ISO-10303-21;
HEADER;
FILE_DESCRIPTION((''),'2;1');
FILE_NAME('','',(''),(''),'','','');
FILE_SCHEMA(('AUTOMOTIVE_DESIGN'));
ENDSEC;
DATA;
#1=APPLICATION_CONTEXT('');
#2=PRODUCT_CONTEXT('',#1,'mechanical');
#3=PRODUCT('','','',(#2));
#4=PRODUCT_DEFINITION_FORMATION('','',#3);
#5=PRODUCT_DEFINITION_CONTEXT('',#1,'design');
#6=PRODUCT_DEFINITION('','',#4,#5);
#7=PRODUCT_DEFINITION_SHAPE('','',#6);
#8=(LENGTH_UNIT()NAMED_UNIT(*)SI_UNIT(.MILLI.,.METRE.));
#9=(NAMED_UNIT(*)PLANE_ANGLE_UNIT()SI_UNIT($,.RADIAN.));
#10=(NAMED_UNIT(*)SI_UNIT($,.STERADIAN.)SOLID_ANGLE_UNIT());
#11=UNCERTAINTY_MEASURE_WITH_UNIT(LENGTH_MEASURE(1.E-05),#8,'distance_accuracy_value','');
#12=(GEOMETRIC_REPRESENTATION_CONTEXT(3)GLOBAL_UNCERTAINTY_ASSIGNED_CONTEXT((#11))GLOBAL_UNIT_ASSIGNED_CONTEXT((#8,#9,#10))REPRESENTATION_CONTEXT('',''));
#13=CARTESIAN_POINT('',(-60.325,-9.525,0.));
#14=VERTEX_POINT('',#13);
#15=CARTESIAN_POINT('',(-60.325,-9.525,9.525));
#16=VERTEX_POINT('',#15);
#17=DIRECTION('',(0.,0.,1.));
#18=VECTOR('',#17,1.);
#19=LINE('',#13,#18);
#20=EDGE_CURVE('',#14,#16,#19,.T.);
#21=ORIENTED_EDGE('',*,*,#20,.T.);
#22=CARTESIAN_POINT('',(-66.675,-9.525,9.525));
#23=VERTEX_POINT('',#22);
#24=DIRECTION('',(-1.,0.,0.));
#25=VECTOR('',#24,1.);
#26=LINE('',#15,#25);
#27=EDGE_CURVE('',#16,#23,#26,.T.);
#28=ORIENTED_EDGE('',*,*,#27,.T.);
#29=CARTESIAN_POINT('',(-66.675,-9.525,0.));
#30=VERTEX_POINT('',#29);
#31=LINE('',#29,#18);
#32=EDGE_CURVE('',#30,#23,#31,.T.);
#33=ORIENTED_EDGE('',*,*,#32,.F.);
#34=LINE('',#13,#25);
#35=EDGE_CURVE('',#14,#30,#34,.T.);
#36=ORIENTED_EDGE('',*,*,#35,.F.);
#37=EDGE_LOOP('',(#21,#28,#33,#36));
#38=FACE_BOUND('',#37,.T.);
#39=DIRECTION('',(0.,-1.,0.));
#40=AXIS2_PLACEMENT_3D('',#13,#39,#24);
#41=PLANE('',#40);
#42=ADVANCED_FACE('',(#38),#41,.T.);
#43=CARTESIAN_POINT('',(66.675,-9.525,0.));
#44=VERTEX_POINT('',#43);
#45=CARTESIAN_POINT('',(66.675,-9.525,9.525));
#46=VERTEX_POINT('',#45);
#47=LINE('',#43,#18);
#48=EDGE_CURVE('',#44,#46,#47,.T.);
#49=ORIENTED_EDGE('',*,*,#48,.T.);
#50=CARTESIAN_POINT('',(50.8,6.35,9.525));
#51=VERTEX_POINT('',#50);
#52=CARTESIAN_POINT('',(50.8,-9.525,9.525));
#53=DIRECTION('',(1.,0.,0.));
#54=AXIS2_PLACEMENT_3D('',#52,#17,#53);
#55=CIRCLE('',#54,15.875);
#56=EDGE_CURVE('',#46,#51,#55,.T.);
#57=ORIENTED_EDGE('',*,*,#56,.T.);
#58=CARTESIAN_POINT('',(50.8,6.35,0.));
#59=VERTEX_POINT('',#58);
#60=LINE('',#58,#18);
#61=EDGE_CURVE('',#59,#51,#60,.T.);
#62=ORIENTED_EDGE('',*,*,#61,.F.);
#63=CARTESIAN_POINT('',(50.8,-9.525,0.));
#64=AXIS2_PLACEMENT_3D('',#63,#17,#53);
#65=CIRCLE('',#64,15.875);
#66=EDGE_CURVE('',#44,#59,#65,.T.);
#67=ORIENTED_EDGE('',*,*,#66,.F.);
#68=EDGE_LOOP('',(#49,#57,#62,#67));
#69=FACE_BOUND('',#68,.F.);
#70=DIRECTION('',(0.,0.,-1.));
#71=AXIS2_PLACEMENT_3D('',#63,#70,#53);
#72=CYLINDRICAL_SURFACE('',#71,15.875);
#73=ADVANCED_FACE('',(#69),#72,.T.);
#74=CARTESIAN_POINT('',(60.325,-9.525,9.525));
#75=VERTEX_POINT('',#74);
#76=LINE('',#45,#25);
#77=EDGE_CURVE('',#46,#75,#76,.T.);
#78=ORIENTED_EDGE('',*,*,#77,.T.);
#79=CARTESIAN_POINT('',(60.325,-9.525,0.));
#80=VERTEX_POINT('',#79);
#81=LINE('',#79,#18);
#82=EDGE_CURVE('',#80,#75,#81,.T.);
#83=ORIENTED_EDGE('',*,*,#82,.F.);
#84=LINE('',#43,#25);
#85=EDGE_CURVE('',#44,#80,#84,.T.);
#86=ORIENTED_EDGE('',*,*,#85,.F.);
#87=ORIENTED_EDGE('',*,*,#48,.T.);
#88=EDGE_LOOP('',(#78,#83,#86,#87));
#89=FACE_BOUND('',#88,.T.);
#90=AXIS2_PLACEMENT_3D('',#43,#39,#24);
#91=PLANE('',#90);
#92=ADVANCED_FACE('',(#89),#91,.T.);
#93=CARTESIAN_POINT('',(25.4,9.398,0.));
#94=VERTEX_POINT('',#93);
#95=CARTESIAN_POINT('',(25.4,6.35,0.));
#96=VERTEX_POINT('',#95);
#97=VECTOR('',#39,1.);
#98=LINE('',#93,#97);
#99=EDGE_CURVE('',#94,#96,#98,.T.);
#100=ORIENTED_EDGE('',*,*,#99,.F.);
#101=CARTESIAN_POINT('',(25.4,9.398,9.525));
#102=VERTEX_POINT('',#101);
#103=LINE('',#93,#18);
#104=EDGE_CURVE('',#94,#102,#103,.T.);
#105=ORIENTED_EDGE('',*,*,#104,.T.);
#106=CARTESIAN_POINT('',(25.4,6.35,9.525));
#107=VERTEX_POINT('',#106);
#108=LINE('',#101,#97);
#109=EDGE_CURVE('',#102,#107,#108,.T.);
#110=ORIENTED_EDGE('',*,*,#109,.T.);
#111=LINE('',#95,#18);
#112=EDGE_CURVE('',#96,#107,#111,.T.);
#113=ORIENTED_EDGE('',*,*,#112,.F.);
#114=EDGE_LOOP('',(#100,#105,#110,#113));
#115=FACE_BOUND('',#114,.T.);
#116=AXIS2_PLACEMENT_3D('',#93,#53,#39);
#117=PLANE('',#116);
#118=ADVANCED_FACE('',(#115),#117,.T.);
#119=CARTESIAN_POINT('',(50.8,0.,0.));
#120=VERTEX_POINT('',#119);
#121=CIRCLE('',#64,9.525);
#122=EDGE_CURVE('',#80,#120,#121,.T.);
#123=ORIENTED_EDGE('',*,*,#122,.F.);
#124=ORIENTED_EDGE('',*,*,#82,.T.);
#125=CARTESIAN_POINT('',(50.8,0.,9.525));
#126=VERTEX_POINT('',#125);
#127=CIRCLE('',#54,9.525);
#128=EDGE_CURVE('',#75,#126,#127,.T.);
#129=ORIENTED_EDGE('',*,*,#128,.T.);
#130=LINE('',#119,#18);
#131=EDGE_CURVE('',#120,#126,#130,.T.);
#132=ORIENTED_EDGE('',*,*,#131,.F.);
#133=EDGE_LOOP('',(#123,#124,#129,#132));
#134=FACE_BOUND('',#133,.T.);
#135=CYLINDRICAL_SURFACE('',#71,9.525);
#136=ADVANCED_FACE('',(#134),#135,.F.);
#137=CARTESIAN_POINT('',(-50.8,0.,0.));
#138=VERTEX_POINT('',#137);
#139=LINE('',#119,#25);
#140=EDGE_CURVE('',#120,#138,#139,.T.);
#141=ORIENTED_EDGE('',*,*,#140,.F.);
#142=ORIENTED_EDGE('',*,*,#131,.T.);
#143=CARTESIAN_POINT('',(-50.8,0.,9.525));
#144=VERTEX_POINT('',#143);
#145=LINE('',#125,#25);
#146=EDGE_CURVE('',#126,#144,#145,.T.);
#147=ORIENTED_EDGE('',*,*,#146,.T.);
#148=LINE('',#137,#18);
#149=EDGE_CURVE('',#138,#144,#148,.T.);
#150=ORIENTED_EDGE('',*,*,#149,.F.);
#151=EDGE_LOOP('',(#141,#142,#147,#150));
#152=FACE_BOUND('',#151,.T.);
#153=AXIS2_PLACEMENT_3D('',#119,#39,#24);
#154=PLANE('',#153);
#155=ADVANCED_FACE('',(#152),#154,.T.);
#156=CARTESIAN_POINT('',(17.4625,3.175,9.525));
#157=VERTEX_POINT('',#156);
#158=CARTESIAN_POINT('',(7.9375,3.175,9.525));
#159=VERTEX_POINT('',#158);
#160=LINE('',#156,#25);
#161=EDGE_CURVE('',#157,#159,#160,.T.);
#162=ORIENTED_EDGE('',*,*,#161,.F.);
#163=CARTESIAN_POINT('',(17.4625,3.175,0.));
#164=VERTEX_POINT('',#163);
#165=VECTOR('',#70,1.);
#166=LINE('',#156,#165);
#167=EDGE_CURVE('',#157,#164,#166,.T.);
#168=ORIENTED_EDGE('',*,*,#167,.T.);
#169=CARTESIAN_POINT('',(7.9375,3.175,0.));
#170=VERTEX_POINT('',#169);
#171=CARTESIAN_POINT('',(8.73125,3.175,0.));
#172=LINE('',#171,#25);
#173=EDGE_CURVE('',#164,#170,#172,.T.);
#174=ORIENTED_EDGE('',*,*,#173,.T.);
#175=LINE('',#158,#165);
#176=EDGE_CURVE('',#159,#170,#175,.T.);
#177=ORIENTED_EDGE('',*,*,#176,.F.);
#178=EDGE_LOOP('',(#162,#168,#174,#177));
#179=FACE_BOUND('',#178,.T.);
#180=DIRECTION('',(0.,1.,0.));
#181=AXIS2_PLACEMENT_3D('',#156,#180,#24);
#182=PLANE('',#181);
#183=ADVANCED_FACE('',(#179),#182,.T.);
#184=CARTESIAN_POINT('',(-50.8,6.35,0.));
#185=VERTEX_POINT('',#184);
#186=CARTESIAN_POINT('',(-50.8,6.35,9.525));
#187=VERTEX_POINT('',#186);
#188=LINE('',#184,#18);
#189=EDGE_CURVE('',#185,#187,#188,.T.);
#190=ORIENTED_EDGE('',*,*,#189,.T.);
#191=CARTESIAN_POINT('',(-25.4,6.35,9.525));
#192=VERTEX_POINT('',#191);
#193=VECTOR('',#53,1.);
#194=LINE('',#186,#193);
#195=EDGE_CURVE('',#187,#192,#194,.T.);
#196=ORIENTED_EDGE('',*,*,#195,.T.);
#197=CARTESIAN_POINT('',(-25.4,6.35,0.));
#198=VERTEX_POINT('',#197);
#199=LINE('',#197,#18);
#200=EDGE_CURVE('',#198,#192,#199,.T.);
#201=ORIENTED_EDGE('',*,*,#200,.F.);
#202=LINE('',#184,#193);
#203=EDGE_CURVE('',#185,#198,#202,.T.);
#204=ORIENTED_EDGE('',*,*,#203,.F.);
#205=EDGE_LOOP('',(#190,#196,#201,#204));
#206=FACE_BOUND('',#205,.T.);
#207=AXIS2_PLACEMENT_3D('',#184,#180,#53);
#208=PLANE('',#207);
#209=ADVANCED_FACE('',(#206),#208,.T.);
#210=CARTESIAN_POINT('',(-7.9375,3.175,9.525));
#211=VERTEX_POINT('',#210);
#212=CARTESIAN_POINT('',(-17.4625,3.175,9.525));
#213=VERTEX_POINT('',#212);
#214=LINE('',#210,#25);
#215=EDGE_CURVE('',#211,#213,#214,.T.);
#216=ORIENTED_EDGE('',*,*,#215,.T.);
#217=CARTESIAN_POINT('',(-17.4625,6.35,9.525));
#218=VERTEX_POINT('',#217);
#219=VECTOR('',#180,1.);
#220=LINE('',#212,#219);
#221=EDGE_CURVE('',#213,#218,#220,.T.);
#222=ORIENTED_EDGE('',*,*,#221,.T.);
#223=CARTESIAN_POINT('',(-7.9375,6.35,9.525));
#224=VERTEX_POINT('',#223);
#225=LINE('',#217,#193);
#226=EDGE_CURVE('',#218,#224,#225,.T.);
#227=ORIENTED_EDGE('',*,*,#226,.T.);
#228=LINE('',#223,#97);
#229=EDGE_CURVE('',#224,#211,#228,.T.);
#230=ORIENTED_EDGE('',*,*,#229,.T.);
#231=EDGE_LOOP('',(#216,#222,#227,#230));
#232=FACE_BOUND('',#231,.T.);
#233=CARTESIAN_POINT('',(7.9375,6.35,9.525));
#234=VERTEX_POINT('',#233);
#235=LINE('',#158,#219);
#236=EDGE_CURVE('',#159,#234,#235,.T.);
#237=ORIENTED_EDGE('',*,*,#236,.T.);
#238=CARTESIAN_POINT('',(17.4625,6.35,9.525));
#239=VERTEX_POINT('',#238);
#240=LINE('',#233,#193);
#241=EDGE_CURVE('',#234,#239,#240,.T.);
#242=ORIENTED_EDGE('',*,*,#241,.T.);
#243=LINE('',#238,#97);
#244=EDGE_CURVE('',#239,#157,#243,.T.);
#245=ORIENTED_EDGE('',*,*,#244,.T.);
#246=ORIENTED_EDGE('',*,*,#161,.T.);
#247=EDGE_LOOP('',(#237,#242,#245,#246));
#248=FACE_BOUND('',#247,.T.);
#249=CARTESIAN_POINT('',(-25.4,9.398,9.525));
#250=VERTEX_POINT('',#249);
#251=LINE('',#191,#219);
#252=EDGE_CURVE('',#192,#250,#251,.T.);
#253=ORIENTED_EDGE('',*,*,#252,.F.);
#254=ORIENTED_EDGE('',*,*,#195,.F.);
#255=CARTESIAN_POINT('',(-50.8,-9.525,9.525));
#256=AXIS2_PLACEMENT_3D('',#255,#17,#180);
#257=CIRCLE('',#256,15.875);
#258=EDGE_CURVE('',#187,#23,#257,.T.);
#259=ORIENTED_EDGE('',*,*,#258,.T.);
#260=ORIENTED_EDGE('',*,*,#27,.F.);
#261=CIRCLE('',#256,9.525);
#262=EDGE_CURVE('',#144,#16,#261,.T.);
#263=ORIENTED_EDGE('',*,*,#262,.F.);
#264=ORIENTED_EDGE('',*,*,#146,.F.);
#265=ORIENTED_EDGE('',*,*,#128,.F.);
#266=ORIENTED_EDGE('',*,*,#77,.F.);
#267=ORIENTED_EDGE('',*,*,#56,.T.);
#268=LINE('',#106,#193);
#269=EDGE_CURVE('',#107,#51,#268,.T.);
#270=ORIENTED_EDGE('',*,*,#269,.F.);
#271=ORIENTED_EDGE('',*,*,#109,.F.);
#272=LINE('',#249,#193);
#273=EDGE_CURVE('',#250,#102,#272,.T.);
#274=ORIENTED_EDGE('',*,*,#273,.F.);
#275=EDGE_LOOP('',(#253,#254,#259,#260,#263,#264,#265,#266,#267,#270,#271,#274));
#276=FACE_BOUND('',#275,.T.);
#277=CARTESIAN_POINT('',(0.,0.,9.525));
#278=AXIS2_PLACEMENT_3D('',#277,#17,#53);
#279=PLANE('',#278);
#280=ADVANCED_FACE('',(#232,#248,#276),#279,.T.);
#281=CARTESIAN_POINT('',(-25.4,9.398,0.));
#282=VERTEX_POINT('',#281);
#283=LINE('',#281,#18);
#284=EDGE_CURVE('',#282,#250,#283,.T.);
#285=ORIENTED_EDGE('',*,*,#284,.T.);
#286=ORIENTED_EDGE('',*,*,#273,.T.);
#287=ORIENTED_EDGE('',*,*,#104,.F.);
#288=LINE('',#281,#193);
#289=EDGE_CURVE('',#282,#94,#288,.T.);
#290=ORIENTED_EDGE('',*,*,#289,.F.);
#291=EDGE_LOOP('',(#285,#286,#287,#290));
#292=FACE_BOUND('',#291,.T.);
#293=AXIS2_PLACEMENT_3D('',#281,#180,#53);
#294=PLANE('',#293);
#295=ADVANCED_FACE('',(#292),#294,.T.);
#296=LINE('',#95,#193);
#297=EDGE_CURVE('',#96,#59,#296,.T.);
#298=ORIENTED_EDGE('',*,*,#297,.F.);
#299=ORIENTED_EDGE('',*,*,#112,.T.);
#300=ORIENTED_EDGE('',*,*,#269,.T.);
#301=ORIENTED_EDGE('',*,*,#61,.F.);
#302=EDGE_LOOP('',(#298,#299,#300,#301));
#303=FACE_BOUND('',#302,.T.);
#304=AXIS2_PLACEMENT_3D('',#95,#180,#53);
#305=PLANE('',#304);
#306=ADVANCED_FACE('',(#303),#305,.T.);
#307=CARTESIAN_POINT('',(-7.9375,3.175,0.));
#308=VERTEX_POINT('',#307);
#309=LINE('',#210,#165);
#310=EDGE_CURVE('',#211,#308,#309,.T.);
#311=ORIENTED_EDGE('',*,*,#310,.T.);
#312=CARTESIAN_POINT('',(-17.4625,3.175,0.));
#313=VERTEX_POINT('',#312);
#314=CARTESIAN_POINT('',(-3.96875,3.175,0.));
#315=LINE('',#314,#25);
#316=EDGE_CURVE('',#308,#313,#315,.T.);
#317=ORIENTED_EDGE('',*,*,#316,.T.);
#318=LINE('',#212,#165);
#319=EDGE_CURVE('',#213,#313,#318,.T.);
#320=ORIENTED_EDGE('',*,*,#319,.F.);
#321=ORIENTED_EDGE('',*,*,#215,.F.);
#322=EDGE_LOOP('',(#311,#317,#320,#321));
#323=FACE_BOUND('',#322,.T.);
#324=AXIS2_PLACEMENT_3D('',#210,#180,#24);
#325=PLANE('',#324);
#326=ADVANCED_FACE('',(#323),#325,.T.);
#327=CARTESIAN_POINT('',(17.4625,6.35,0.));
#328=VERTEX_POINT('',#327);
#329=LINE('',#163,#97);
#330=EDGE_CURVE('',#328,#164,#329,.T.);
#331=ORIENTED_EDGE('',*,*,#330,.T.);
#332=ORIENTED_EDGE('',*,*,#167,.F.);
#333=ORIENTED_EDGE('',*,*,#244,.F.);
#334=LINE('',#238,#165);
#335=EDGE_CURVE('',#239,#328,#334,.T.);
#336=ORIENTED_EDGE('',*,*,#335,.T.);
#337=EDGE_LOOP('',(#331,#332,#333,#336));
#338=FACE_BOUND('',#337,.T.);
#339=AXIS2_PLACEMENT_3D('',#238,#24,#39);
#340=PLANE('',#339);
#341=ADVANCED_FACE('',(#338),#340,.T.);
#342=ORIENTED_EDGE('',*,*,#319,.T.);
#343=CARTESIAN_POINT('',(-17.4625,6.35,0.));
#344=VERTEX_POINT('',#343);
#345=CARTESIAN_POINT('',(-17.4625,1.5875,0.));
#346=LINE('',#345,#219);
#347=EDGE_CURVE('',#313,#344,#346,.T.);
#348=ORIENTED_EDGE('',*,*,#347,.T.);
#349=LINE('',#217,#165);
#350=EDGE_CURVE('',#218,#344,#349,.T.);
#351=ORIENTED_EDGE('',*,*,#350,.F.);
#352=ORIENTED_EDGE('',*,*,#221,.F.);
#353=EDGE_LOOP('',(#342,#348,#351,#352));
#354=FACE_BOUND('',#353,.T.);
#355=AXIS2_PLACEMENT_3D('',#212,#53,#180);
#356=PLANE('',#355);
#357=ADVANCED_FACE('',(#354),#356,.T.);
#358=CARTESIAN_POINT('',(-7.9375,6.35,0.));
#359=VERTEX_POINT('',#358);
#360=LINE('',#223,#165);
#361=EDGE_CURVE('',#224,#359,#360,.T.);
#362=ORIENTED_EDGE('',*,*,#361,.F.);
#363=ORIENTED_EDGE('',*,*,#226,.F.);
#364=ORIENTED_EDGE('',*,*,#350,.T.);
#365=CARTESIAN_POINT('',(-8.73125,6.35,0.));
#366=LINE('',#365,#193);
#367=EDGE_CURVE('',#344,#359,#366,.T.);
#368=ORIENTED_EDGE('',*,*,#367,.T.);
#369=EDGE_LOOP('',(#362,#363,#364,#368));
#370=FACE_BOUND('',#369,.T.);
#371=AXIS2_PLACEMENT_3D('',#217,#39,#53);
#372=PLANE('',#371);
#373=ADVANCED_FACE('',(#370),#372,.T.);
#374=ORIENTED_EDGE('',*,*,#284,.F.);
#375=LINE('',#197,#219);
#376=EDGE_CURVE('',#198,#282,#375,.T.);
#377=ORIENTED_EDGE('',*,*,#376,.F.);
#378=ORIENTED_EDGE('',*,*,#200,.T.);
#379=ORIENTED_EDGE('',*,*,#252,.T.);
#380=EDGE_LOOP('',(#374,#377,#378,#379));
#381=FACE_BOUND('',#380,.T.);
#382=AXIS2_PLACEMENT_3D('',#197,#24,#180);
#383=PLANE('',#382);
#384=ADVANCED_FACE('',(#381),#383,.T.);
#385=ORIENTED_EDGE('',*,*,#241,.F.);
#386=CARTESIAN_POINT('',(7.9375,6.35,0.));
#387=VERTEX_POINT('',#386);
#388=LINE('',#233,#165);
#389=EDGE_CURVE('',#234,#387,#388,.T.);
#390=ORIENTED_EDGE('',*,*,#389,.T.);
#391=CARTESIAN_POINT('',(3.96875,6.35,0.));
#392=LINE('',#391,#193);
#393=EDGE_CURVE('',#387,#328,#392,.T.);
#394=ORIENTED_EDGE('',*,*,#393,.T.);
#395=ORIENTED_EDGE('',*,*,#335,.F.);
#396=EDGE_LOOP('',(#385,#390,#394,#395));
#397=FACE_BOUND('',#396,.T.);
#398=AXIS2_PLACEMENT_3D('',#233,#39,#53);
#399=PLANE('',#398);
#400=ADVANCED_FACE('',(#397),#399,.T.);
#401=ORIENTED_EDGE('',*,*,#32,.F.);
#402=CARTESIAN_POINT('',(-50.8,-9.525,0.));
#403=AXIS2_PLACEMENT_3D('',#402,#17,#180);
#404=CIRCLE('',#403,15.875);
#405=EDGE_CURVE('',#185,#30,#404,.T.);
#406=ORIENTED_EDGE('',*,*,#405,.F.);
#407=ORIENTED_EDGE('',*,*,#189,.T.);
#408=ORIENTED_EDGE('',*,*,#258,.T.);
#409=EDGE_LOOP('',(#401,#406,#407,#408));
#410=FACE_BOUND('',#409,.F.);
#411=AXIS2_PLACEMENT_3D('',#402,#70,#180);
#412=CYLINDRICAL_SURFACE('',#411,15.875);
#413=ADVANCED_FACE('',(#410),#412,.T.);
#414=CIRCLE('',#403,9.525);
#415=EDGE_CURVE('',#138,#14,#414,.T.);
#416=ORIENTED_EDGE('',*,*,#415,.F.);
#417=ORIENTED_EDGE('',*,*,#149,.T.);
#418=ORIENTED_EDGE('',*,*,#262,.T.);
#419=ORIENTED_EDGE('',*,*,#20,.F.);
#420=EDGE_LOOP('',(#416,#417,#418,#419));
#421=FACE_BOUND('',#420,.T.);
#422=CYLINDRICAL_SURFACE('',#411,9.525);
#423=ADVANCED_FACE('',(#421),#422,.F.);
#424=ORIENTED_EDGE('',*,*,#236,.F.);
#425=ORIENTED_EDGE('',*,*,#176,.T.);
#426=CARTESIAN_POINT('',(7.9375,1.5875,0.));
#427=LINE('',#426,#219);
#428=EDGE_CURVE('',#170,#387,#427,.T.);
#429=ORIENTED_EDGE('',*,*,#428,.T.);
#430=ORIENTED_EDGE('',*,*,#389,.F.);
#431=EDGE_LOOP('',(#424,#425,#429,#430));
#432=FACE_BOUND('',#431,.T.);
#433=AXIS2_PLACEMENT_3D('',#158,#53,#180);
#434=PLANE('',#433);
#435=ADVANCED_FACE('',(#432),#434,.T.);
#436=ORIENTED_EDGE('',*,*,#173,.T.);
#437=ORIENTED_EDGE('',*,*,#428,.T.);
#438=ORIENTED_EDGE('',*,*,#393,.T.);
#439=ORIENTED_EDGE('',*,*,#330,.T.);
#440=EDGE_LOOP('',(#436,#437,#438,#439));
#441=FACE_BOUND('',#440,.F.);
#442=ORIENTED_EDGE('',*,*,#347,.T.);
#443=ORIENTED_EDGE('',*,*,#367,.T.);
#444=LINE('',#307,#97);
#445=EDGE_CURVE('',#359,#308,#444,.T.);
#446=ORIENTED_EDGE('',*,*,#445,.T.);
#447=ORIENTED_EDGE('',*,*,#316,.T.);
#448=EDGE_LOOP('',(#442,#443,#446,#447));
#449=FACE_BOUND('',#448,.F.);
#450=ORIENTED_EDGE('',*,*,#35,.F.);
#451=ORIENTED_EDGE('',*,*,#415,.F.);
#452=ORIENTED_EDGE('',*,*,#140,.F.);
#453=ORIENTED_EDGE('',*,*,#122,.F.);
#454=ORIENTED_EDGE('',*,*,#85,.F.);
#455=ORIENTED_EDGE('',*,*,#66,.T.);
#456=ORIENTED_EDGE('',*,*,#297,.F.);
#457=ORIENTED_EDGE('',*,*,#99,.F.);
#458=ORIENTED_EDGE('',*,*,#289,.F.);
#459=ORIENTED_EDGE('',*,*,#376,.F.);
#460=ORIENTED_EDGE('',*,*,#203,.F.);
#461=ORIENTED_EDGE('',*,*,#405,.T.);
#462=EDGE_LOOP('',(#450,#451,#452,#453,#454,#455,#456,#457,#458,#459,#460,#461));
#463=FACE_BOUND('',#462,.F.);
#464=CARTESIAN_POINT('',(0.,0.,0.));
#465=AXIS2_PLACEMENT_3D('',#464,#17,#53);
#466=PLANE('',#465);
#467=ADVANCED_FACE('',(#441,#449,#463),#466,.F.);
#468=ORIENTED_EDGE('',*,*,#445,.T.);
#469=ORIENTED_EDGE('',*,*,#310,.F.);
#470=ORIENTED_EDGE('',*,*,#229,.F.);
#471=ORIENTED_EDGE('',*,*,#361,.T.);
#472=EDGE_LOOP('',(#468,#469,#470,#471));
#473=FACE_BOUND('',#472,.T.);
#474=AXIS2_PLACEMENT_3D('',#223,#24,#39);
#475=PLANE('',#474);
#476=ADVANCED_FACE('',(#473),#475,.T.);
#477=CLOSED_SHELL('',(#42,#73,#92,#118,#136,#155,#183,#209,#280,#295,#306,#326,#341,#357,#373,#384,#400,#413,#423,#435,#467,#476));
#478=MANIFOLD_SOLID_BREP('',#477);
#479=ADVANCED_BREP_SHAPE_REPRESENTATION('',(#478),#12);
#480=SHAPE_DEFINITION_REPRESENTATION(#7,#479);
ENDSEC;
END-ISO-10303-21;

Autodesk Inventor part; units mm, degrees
ref_plane "YZ Plane" through (0, 0, 0) normal (1, 0, 0) x (0, 1, 0)
ref_plane "XZ Plane" through (0, 0, 0) normal (0, 1, 0) x (-1, 0, 0)
ref_plane "XY Plane" through (0, 0, 0) normal (0, 0, 1) x (1, 0, 0)
sketch "Sketch1" plane through (0, 0, 0) normal (0, 0, 1) x (1, 0, 0)
  line L0 (-25.4, 9.398) -> (25.4, 9.398)
  line L1 (25.4, 9.398) -> (25.4, 6.35)
  line L2 (-25.4, 6.35) -> (-25.4, 9.398)
  line L3 (-50.8, 6.35) -> (-25.4, 6.35)
  line L4 (50.8, 6.35) -> (50.8, 0) construction
  line L5 (50.8, 0) -> (-50.8, 0)
  line L6 (-50.8, 0) -> (-50.8, 6.35) construction
  arc A0 (-50.8, 6.35) -> (-66.675, -9.525) centre (-50.8, -9.525) ccw
  arc A1 (38.1, 0) -> (66.675, -9.525) centre (50.8, -9.525) ccw construction
  arc A2 (-60.325, -9.525) -> (-50.8, -19.05) centre (-50.8, -9.525) ccw construction
  arc A3 (50.8, 0) -> (60.325, -9.525) centre (50.8, -9.525) ccw construction
  line L7 (25.4, 6.35) -> (50.8, 6.35)
  line L8 (-60.325, -9.525) -> (-66.675, -9.525)
  arc A4 (-50.8, 0) -> (-60.325, -9.525) centre (-50.8, -9.525) ccw
  arc A5 (60.325, -9.525) -> (50.8, 0) centre (50.8, -9.525) ccw
  arc A6 (-38.1, 0) -> (-50.8, 6.35) centre (-50.8, -9.525) ccw construction
  arc A7 (50.8, 6.35) -> (38.1, 0) centre (50.8, -9.525) ccw construction
  arc A8 (66.675, -9.525) -> (50.8, 6.35) centre (50.8, -9.525) ccw
  arc A9 (-66.675, -9.525) -> (-38.1, 0) centre (-50.8, -9.525) ccw construction
  arc A10 (-50.8, -19.05) -> (-50.8, 0) centre (-50.8, -9.525) ccw construction
  line L9 (66.675, -9.525) -> (60.325, -9.525)
  point P0 (0, 0)
  point P1 (50.8, 3.175)
  point P2 (-50.8, 3.175)
  dimension "d0" = 50.8
  dimension "d1" = 3.048
  dimension "d2" = 6.35
  dimension "d3" = 25.4
  dimension "d4" = 25.4
  dimension "d5" = 25.4
  dimension "d8" = 9.525
extrude "Extrusion1" add sketch "Sketch1" along normal blind 9.525
sketch "Sketch2" plane through (0, 0, 9.525) normal (0, 0, 1) x (1, 0, 0)
  line L0 (17.4625, 3.175) -> (7.9375, 3.175)
  line L1 (7.9375, 3.175) -> (7.9375, 6.35)
  line L2 (7.9375, 6.35) -> (17.4625, 6.35)
  line L3 (17.4625, 6.35) -> (17.4625, 3.175)
  line L4 (-7.9375, 3.175) -> (-17.4625, 3.175)
  line L5 (-17.4625, 3.175) -> (-17.4625, 6.35)
  line L6 (-17.4625, 6.35) -> (-7.9375, 6.35)
  line L7 (-7.9375, 6.35) -> (-7.9375, 3.175)
  line L8 (12.7, 3.175) -> (12.7, 6.35) construction
  line L9 (-12.7, 3.175) -> (-12.7, 6.35) construction
  line L10 (-50.8, 0) -> (50.8, 0) projected
  point P0 (0, 0)
  dimension "d11" = 9.525
  dimension "d12" = 3.175
  dimension "d13" = 12.7
  dimension "d14" = 12.7
  dimension "d15" = 3.175
extrude "Extrusion2" cut sketch "Sketch2" against normal through all
equation "\"d5\" = 0.5 * d0"
properties part number "RadioPanelMountB"
